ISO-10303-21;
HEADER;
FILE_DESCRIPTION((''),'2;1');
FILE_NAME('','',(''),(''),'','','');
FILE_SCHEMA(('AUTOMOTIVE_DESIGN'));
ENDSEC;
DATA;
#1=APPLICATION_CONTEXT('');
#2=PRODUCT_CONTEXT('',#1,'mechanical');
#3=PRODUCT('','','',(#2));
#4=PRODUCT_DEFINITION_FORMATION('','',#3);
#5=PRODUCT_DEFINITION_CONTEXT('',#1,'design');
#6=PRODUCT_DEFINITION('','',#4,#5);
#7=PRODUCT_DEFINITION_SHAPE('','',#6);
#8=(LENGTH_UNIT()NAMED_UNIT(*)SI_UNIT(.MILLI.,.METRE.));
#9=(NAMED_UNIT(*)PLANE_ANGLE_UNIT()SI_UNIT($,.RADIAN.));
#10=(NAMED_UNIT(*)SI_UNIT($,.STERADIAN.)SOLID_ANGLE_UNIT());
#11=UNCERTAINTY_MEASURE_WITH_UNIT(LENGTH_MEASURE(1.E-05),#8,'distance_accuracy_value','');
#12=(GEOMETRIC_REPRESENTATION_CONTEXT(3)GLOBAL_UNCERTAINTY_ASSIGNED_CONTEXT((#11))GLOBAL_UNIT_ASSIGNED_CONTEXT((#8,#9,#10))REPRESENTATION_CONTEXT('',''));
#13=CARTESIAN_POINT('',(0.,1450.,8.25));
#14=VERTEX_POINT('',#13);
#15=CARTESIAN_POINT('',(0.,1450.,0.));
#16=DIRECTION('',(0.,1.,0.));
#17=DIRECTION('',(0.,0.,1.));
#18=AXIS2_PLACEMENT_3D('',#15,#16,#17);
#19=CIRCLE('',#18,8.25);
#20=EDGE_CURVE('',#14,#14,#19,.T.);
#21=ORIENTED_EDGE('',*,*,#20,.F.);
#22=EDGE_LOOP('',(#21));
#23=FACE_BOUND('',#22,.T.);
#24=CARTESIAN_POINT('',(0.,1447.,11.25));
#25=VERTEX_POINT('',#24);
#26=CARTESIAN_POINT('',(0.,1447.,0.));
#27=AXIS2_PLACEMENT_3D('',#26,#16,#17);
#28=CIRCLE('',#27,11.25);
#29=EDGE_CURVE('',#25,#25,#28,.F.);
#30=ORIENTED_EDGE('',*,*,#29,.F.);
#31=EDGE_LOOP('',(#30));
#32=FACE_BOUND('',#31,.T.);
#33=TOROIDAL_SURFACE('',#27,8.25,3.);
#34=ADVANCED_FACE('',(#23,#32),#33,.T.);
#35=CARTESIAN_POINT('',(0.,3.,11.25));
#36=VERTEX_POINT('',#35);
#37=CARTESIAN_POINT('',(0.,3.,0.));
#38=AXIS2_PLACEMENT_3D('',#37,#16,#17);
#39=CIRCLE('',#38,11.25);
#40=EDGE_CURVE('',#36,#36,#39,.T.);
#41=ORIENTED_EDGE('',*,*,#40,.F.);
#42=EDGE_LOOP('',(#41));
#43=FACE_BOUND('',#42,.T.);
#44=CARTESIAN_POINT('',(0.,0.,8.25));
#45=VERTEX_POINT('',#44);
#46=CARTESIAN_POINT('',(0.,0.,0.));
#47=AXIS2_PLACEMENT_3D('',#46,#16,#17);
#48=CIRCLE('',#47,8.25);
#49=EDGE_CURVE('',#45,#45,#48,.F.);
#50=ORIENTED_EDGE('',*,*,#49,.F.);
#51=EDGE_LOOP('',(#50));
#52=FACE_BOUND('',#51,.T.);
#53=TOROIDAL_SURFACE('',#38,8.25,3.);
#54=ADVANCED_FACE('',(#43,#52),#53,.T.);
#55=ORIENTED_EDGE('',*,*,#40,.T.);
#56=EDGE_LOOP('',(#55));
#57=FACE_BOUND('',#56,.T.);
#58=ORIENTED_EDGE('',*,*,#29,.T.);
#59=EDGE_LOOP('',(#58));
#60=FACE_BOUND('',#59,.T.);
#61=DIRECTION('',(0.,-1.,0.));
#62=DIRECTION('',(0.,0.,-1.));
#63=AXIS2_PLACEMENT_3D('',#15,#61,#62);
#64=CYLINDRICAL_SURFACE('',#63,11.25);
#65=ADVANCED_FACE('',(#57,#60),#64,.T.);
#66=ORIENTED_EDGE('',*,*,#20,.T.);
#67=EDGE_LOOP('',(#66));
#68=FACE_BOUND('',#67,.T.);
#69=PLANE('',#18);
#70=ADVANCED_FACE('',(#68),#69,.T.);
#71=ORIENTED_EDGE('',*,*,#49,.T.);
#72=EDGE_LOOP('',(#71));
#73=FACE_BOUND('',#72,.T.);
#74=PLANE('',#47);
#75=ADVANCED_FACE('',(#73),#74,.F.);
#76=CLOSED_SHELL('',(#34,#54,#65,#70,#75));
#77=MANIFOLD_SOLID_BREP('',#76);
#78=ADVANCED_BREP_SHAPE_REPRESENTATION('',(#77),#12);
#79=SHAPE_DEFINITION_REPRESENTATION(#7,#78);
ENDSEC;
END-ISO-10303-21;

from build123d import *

# Parameters (mm, degrees)
SKETCH1_R           = 11.25
BOSS_EXTRUDE1_DEPTH = 1450
FILLET1_R           = 3


with BuildPart() as part:
    # Sketch1 → Boss-Extrude1 (new body)
    with BuildSketch(Plane(origin=(0, 0, 0), x_dir=(1, 0, 0), z_dir=(0, 1, 0))):
        Circle(SKETCH1_R)
    extrude(amount=BOSS_EXTRUDE1_DEPTH)

    # Fillet1
    fillet1_edges = [part.edges().sort_by_distance(p)[0] for p in [
        (-11.25, 0, 0),
        (-11.25, 1450, 0),
    ]]
    fillet(fillet1_edges, radius=FILLET1_R)


solid = part.part
